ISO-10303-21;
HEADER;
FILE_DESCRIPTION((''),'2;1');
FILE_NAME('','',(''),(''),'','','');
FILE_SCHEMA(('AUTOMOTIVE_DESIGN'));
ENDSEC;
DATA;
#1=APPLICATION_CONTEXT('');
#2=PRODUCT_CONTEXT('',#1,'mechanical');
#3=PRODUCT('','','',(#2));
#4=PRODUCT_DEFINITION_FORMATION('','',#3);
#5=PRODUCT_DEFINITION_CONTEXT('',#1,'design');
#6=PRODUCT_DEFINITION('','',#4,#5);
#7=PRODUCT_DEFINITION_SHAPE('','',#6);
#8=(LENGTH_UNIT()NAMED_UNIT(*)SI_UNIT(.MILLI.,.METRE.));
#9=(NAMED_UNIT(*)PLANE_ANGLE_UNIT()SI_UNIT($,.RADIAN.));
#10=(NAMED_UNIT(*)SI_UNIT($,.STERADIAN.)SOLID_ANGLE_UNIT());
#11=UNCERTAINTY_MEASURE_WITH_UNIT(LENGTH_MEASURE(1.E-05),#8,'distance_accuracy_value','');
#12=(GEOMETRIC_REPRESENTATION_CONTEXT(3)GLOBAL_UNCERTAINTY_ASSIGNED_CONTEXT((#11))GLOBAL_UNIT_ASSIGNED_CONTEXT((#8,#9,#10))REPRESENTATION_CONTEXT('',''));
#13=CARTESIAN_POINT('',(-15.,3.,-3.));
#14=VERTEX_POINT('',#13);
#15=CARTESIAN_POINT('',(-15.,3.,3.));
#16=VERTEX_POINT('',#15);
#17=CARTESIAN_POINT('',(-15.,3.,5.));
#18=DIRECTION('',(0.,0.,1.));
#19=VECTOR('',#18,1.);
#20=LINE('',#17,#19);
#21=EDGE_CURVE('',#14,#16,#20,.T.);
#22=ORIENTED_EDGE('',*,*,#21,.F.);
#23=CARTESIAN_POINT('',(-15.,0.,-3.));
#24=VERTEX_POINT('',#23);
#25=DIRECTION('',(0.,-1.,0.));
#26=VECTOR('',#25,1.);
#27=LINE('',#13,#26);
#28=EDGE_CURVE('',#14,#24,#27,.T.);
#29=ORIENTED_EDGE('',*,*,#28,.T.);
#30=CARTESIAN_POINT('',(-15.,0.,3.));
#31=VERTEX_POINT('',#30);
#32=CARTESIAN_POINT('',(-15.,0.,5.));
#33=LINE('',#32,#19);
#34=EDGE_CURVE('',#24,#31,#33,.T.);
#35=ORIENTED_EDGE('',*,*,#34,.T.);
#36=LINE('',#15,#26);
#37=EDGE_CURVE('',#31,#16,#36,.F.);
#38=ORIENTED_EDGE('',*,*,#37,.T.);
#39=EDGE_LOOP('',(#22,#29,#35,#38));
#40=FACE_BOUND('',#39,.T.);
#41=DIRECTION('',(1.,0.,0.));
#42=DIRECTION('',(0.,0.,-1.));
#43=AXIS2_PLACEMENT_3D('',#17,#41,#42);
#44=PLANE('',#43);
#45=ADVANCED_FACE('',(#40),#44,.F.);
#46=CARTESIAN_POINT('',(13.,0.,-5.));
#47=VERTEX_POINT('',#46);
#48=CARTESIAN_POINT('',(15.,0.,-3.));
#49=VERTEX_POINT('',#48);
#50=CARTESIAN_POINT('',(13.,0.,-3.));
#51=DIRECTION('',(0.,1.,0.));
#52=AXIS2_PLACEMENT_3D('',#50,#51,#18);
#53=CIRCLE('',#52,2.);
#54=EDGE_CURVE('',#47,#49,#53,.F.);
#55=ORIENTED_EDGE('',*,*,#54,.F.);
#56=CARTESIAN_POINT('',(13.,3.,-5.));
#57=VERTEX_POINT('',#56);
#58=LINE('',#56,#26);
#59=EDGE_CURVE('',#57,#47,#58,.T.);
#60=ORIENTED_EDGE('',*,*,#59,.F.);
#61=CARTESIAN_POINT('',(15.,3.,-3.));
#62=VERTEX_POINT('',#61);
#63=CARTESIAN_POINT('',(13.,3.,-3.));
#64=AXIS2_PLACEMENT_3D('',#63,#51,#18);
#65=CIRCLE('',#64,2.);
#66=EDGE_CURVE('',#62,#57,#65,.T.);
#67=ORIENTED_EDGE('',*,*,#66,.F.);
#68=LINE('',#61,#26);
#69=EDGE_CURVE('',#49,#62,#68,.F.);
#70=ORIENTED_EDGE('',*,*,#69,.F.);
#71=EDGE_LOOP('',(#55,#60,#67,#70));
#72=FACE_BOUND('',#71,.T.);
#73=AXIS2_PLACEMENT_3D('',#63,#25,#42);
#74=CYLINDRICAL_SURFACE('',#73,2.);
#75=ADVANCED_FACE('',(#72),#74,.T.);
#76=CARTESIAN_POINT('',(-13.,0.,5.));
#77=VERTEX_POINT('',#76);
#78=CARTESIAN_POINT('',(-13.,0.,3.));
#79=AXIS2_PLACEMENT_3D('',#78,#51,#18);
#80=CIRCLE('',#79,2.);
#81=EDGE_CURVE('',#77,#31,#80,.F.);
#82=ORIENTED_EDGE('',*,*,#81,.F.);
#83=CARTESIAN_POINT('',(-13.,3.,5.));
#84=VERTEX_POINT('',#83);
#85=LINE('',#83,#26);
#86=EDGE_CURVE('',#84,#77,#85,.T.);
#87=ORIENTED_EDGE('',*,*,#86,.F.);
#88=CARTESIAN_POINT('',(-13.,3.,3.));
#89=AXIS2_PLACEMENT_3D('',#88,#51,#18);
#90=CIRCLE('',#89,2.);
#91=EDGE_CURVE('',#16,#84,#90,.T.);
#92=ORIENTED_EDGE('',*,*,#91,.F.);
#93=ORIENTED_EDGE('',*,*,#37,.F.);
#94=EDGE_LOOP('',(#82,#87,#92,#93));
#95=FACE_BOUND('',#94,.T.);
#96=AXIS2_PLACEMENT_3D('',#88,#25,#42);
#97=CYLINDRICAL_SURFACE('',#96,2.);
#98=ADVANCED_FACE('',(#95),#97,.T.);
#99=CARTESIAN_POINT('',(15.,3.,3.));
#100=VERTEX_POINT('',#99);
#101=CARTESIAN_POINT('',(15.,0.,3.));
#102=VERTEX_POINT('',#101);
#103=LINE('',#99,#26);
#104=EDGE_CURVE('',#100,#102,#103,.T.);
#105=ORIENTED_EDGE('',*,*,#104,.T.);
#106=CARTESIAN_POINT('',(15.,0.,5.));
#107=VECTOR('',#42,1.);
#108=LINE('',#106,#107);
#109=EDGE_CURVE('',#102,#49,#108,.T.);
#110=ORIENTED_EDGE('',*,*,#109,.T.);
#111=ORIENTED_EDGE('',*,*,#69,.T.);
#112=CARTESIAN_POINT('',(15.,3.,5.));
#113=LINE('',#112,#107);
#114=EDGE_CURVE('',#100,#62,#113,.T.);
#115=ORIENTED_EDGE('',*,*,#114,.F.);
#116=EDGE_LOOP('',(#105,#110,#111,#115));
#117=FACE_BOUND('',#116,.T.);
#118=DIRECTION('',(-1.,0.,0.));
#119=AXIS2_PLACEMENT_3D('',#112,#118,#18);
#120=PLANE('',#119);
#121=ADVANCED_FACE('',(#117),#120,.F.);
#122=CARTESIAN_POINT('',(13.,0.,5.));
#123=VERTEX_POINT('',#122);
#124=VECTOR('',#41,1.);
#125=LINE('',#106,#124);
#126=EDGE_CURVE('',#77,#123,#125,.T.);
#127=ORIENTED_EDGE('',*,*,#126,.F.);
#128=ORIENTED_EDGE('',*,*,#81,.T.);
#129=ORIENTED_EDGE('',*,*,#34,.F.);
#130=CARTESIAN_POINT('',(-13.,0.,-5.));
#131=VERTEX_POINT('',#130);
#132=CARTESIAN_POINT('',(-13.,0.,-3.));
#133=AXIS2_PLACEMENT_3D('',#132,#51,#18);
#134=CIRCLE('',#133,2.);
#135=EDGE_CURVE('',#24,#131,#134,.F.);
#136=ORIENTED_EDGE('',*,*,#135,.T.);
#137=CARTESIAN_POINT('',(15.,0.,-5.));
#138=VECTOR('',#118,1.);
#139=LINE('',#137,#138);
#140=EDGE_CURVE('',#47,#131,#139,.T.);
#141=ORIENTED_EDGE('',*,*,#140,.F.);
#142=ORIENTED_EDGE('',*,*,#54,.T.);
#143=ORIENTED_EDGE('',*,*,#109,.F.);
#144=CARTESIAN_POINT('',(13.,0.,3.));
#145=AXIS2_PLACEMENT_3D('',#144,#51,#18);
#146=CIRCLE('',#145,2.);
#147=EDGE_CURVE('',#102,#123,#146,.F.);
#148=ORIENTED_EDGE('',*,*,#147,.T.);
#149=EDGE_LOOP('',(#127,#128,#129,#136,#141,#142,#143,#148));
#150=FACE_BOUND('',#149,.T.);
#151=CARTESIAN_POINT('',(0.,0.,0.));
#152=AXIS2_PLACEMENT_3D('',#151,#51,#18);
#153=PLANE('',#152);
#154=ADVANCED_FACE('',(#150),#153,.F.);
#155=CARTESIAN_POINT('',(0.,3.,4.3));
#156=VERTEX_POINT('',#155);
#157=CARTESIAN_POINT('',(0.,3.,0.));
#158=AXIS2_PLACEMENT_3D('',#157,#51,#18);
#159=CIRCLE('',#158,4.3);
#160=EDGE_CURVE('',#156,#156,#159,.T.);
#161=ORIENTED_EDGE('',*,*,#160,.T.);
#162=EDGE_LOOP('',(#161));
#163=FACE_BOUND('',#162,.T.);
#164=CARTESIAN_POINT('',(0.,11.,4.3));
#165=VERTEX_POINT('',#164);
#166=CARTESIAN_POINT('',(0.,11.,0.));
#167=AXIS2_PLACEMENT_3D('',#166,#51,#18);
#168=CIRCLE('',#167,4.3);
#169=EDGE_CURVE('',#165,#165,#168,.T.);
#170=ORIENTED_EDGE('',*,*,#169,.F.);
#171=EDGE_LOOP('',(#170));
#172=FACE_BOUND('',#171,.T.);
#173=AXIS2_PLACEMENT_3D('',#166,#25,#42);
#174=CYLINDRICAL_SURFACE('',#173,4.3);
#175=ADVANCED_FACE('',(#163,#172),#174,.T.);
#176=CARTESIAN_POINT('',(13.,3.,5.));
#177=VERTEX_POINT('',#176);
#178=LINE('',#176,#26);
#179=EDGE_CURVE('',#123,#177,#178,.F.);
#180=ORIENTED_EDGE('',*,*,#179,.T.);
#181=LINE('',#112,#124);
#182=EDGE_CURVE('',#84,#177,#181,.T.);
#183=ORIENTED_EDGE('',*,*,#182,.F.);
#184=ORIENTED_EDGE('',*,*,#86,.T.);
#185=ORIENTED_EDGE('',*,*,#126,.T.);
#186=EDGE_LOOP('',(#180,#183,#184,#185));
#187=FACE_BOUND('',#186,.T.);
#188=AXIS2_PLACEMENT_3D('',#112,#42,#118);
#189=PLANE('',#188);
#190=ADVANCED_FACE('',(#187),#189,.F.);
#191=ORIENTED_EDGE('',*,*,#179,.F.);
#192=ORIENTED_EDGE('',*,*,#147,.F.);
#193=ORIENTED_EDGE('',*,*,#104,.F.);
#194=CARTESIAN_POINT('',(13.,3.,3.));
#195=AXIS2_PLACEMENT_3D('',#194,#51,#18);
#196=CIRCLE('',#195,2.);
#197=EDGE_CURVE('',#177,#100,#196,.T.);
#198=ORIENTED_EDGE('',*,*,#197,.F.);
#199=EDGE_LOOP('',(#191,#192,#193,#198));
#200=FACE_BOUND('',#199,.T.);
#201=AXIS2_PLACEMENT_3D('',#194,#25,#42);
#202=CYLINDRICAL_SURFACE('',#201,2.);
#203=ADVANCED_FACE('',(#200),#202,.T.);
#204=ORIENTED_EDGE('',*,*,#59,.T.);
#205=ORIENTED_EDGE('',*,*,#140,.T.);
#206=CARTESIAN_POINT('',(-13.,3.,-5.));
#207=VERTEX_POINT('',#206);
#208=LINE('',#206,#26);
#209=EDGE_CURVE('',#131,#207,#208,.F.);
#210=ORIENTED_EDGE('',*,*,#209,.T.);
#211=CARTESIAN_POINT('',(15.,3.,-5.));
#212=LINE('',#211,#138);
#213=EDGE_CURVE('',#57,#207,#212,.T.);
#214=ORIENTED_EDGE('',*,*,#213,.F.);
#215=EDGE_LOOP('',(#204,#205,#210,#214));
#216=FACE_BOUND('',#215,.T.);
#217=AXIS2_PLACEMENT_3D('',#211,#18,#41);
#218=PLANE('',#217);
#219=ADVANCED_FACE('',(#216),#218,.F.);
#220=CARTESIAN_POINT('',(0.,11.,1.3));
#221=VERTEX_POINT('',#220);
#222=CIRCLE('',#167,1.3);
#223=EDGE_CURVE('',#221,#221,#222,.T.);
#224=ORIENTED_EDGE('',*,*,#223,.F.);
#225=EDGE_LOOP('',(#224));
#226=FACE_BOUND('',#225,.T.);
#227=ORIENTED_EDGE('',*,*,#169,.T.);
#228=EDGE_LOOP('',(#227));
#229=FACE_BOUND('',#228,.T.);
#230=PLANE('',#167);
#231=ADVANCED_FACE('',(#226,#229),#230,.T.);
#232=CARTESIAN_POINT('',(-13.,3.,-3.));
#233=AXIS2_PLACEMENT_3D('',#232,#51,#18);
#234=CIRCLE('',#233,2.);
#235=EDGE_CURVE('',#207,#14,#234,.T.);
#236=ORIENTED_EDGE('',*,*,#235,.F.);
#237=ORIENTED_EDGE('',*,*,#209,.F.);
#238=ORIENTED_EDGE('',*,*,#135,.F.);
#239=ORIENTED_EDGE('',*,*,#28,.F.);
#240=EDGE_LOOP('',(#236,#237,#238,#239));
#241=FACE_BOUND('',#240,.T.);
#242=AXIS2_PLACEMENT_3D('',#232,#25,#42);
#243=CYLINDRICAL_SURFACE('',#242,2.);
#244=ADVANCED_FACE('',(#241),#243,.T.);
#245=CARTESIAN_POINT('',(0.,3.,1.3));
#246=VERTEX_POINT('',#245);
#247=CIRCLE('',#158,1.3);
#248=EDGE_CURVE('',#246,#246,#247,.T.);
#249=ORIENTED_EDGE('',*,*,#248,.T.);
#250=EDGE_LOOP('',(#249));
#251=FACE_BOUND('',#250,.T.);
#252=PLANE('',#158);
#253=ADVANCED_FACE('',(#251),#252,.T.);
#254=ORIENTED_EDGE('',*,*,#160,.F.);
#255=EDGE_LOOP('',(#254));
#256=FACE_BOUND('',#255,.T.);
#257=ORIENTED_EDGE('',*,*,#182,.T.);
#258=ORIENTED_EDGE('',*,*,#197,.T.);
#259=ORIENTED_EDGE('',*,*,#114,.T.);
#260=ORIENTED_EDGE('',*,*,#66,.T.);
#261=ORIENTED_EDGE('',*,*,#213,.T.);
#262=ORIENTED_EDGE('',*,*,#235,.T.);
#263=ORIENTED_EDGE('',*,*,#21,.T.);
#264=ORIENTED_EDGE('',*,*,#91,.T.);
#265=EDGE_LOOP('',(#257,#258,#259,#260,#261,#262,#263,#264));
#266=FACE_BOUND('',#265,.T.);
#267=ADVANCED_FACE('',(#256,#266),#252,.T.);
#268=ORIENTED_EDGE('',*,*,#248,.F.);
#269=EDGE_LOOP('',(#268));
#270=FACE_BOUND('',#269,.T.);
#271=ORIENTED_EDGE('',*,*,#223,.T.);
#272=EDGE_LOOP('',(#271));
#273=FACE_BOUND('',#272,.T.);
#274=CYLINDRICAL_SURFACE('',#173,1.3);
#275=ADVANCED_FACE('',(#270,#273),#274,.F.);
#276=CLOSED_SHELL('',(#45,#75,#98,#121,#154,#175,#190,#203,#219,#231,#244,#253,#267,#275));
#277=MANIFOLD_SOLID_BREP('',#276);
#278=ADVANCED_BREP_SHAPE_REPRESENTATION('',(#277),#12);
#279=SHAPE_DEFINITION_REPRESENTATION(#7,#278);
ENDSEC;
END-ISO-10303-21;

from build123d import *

# Parameters (mm, degrees)
SKETCH1_W           = 30
SKETCH1_H           = 10
BOSS_EXTRUDE1_DEPTH = 3
SKETCH2_R           = 4.3
SKETCH2_R_2         = 1.3
BOSS_EXTRUDE2_DEPTH = 8
FILLET1_R           = 2


with BuildPart() as part:
    # Sketch1 → Boss-Extrude1 (new body)
    with BuildSketch(Plane(origin=(0, 0, 0), x_dir=(1, 0, 0), z_dir=(0, 1, 0))):
        Rectangle(SKETCH1_W, SKETCH1_H)
    extrude(amount=BOSS_EXTRUDE1_DEPTH)

    # Sketch2 → Boss-Extrude2 (add)
    with BuildSketch(Plane(origin=(0, 3, 0), x_dir=(1, 0, 0), z_dir=(0, 1, 0))):
        with Locations(Location((0, 0, 0), (0, 0, 270))):
            Circle(SKETCH2_R)
        with Locations(Location((0, 0, 0), (0, 0, 270))):
            Circle(SKETCH2_R_2, mode=Mode.SUBTRACT)
    extrude(amount=BOSS_EXTRUDE2_DEPTH)

    # Fillet1
    fillet1_edges = [part.edges().sort_by_distance(p)[0] for p in [
        (-15, 1.5, -5),
        (15, 1.5, -5),
        (15, 1.5, 5),
        (-15, 1.5, 5),
    ]]
    fillet(fillet1_edges, radius=FILLET1_R)


solid = part.part
